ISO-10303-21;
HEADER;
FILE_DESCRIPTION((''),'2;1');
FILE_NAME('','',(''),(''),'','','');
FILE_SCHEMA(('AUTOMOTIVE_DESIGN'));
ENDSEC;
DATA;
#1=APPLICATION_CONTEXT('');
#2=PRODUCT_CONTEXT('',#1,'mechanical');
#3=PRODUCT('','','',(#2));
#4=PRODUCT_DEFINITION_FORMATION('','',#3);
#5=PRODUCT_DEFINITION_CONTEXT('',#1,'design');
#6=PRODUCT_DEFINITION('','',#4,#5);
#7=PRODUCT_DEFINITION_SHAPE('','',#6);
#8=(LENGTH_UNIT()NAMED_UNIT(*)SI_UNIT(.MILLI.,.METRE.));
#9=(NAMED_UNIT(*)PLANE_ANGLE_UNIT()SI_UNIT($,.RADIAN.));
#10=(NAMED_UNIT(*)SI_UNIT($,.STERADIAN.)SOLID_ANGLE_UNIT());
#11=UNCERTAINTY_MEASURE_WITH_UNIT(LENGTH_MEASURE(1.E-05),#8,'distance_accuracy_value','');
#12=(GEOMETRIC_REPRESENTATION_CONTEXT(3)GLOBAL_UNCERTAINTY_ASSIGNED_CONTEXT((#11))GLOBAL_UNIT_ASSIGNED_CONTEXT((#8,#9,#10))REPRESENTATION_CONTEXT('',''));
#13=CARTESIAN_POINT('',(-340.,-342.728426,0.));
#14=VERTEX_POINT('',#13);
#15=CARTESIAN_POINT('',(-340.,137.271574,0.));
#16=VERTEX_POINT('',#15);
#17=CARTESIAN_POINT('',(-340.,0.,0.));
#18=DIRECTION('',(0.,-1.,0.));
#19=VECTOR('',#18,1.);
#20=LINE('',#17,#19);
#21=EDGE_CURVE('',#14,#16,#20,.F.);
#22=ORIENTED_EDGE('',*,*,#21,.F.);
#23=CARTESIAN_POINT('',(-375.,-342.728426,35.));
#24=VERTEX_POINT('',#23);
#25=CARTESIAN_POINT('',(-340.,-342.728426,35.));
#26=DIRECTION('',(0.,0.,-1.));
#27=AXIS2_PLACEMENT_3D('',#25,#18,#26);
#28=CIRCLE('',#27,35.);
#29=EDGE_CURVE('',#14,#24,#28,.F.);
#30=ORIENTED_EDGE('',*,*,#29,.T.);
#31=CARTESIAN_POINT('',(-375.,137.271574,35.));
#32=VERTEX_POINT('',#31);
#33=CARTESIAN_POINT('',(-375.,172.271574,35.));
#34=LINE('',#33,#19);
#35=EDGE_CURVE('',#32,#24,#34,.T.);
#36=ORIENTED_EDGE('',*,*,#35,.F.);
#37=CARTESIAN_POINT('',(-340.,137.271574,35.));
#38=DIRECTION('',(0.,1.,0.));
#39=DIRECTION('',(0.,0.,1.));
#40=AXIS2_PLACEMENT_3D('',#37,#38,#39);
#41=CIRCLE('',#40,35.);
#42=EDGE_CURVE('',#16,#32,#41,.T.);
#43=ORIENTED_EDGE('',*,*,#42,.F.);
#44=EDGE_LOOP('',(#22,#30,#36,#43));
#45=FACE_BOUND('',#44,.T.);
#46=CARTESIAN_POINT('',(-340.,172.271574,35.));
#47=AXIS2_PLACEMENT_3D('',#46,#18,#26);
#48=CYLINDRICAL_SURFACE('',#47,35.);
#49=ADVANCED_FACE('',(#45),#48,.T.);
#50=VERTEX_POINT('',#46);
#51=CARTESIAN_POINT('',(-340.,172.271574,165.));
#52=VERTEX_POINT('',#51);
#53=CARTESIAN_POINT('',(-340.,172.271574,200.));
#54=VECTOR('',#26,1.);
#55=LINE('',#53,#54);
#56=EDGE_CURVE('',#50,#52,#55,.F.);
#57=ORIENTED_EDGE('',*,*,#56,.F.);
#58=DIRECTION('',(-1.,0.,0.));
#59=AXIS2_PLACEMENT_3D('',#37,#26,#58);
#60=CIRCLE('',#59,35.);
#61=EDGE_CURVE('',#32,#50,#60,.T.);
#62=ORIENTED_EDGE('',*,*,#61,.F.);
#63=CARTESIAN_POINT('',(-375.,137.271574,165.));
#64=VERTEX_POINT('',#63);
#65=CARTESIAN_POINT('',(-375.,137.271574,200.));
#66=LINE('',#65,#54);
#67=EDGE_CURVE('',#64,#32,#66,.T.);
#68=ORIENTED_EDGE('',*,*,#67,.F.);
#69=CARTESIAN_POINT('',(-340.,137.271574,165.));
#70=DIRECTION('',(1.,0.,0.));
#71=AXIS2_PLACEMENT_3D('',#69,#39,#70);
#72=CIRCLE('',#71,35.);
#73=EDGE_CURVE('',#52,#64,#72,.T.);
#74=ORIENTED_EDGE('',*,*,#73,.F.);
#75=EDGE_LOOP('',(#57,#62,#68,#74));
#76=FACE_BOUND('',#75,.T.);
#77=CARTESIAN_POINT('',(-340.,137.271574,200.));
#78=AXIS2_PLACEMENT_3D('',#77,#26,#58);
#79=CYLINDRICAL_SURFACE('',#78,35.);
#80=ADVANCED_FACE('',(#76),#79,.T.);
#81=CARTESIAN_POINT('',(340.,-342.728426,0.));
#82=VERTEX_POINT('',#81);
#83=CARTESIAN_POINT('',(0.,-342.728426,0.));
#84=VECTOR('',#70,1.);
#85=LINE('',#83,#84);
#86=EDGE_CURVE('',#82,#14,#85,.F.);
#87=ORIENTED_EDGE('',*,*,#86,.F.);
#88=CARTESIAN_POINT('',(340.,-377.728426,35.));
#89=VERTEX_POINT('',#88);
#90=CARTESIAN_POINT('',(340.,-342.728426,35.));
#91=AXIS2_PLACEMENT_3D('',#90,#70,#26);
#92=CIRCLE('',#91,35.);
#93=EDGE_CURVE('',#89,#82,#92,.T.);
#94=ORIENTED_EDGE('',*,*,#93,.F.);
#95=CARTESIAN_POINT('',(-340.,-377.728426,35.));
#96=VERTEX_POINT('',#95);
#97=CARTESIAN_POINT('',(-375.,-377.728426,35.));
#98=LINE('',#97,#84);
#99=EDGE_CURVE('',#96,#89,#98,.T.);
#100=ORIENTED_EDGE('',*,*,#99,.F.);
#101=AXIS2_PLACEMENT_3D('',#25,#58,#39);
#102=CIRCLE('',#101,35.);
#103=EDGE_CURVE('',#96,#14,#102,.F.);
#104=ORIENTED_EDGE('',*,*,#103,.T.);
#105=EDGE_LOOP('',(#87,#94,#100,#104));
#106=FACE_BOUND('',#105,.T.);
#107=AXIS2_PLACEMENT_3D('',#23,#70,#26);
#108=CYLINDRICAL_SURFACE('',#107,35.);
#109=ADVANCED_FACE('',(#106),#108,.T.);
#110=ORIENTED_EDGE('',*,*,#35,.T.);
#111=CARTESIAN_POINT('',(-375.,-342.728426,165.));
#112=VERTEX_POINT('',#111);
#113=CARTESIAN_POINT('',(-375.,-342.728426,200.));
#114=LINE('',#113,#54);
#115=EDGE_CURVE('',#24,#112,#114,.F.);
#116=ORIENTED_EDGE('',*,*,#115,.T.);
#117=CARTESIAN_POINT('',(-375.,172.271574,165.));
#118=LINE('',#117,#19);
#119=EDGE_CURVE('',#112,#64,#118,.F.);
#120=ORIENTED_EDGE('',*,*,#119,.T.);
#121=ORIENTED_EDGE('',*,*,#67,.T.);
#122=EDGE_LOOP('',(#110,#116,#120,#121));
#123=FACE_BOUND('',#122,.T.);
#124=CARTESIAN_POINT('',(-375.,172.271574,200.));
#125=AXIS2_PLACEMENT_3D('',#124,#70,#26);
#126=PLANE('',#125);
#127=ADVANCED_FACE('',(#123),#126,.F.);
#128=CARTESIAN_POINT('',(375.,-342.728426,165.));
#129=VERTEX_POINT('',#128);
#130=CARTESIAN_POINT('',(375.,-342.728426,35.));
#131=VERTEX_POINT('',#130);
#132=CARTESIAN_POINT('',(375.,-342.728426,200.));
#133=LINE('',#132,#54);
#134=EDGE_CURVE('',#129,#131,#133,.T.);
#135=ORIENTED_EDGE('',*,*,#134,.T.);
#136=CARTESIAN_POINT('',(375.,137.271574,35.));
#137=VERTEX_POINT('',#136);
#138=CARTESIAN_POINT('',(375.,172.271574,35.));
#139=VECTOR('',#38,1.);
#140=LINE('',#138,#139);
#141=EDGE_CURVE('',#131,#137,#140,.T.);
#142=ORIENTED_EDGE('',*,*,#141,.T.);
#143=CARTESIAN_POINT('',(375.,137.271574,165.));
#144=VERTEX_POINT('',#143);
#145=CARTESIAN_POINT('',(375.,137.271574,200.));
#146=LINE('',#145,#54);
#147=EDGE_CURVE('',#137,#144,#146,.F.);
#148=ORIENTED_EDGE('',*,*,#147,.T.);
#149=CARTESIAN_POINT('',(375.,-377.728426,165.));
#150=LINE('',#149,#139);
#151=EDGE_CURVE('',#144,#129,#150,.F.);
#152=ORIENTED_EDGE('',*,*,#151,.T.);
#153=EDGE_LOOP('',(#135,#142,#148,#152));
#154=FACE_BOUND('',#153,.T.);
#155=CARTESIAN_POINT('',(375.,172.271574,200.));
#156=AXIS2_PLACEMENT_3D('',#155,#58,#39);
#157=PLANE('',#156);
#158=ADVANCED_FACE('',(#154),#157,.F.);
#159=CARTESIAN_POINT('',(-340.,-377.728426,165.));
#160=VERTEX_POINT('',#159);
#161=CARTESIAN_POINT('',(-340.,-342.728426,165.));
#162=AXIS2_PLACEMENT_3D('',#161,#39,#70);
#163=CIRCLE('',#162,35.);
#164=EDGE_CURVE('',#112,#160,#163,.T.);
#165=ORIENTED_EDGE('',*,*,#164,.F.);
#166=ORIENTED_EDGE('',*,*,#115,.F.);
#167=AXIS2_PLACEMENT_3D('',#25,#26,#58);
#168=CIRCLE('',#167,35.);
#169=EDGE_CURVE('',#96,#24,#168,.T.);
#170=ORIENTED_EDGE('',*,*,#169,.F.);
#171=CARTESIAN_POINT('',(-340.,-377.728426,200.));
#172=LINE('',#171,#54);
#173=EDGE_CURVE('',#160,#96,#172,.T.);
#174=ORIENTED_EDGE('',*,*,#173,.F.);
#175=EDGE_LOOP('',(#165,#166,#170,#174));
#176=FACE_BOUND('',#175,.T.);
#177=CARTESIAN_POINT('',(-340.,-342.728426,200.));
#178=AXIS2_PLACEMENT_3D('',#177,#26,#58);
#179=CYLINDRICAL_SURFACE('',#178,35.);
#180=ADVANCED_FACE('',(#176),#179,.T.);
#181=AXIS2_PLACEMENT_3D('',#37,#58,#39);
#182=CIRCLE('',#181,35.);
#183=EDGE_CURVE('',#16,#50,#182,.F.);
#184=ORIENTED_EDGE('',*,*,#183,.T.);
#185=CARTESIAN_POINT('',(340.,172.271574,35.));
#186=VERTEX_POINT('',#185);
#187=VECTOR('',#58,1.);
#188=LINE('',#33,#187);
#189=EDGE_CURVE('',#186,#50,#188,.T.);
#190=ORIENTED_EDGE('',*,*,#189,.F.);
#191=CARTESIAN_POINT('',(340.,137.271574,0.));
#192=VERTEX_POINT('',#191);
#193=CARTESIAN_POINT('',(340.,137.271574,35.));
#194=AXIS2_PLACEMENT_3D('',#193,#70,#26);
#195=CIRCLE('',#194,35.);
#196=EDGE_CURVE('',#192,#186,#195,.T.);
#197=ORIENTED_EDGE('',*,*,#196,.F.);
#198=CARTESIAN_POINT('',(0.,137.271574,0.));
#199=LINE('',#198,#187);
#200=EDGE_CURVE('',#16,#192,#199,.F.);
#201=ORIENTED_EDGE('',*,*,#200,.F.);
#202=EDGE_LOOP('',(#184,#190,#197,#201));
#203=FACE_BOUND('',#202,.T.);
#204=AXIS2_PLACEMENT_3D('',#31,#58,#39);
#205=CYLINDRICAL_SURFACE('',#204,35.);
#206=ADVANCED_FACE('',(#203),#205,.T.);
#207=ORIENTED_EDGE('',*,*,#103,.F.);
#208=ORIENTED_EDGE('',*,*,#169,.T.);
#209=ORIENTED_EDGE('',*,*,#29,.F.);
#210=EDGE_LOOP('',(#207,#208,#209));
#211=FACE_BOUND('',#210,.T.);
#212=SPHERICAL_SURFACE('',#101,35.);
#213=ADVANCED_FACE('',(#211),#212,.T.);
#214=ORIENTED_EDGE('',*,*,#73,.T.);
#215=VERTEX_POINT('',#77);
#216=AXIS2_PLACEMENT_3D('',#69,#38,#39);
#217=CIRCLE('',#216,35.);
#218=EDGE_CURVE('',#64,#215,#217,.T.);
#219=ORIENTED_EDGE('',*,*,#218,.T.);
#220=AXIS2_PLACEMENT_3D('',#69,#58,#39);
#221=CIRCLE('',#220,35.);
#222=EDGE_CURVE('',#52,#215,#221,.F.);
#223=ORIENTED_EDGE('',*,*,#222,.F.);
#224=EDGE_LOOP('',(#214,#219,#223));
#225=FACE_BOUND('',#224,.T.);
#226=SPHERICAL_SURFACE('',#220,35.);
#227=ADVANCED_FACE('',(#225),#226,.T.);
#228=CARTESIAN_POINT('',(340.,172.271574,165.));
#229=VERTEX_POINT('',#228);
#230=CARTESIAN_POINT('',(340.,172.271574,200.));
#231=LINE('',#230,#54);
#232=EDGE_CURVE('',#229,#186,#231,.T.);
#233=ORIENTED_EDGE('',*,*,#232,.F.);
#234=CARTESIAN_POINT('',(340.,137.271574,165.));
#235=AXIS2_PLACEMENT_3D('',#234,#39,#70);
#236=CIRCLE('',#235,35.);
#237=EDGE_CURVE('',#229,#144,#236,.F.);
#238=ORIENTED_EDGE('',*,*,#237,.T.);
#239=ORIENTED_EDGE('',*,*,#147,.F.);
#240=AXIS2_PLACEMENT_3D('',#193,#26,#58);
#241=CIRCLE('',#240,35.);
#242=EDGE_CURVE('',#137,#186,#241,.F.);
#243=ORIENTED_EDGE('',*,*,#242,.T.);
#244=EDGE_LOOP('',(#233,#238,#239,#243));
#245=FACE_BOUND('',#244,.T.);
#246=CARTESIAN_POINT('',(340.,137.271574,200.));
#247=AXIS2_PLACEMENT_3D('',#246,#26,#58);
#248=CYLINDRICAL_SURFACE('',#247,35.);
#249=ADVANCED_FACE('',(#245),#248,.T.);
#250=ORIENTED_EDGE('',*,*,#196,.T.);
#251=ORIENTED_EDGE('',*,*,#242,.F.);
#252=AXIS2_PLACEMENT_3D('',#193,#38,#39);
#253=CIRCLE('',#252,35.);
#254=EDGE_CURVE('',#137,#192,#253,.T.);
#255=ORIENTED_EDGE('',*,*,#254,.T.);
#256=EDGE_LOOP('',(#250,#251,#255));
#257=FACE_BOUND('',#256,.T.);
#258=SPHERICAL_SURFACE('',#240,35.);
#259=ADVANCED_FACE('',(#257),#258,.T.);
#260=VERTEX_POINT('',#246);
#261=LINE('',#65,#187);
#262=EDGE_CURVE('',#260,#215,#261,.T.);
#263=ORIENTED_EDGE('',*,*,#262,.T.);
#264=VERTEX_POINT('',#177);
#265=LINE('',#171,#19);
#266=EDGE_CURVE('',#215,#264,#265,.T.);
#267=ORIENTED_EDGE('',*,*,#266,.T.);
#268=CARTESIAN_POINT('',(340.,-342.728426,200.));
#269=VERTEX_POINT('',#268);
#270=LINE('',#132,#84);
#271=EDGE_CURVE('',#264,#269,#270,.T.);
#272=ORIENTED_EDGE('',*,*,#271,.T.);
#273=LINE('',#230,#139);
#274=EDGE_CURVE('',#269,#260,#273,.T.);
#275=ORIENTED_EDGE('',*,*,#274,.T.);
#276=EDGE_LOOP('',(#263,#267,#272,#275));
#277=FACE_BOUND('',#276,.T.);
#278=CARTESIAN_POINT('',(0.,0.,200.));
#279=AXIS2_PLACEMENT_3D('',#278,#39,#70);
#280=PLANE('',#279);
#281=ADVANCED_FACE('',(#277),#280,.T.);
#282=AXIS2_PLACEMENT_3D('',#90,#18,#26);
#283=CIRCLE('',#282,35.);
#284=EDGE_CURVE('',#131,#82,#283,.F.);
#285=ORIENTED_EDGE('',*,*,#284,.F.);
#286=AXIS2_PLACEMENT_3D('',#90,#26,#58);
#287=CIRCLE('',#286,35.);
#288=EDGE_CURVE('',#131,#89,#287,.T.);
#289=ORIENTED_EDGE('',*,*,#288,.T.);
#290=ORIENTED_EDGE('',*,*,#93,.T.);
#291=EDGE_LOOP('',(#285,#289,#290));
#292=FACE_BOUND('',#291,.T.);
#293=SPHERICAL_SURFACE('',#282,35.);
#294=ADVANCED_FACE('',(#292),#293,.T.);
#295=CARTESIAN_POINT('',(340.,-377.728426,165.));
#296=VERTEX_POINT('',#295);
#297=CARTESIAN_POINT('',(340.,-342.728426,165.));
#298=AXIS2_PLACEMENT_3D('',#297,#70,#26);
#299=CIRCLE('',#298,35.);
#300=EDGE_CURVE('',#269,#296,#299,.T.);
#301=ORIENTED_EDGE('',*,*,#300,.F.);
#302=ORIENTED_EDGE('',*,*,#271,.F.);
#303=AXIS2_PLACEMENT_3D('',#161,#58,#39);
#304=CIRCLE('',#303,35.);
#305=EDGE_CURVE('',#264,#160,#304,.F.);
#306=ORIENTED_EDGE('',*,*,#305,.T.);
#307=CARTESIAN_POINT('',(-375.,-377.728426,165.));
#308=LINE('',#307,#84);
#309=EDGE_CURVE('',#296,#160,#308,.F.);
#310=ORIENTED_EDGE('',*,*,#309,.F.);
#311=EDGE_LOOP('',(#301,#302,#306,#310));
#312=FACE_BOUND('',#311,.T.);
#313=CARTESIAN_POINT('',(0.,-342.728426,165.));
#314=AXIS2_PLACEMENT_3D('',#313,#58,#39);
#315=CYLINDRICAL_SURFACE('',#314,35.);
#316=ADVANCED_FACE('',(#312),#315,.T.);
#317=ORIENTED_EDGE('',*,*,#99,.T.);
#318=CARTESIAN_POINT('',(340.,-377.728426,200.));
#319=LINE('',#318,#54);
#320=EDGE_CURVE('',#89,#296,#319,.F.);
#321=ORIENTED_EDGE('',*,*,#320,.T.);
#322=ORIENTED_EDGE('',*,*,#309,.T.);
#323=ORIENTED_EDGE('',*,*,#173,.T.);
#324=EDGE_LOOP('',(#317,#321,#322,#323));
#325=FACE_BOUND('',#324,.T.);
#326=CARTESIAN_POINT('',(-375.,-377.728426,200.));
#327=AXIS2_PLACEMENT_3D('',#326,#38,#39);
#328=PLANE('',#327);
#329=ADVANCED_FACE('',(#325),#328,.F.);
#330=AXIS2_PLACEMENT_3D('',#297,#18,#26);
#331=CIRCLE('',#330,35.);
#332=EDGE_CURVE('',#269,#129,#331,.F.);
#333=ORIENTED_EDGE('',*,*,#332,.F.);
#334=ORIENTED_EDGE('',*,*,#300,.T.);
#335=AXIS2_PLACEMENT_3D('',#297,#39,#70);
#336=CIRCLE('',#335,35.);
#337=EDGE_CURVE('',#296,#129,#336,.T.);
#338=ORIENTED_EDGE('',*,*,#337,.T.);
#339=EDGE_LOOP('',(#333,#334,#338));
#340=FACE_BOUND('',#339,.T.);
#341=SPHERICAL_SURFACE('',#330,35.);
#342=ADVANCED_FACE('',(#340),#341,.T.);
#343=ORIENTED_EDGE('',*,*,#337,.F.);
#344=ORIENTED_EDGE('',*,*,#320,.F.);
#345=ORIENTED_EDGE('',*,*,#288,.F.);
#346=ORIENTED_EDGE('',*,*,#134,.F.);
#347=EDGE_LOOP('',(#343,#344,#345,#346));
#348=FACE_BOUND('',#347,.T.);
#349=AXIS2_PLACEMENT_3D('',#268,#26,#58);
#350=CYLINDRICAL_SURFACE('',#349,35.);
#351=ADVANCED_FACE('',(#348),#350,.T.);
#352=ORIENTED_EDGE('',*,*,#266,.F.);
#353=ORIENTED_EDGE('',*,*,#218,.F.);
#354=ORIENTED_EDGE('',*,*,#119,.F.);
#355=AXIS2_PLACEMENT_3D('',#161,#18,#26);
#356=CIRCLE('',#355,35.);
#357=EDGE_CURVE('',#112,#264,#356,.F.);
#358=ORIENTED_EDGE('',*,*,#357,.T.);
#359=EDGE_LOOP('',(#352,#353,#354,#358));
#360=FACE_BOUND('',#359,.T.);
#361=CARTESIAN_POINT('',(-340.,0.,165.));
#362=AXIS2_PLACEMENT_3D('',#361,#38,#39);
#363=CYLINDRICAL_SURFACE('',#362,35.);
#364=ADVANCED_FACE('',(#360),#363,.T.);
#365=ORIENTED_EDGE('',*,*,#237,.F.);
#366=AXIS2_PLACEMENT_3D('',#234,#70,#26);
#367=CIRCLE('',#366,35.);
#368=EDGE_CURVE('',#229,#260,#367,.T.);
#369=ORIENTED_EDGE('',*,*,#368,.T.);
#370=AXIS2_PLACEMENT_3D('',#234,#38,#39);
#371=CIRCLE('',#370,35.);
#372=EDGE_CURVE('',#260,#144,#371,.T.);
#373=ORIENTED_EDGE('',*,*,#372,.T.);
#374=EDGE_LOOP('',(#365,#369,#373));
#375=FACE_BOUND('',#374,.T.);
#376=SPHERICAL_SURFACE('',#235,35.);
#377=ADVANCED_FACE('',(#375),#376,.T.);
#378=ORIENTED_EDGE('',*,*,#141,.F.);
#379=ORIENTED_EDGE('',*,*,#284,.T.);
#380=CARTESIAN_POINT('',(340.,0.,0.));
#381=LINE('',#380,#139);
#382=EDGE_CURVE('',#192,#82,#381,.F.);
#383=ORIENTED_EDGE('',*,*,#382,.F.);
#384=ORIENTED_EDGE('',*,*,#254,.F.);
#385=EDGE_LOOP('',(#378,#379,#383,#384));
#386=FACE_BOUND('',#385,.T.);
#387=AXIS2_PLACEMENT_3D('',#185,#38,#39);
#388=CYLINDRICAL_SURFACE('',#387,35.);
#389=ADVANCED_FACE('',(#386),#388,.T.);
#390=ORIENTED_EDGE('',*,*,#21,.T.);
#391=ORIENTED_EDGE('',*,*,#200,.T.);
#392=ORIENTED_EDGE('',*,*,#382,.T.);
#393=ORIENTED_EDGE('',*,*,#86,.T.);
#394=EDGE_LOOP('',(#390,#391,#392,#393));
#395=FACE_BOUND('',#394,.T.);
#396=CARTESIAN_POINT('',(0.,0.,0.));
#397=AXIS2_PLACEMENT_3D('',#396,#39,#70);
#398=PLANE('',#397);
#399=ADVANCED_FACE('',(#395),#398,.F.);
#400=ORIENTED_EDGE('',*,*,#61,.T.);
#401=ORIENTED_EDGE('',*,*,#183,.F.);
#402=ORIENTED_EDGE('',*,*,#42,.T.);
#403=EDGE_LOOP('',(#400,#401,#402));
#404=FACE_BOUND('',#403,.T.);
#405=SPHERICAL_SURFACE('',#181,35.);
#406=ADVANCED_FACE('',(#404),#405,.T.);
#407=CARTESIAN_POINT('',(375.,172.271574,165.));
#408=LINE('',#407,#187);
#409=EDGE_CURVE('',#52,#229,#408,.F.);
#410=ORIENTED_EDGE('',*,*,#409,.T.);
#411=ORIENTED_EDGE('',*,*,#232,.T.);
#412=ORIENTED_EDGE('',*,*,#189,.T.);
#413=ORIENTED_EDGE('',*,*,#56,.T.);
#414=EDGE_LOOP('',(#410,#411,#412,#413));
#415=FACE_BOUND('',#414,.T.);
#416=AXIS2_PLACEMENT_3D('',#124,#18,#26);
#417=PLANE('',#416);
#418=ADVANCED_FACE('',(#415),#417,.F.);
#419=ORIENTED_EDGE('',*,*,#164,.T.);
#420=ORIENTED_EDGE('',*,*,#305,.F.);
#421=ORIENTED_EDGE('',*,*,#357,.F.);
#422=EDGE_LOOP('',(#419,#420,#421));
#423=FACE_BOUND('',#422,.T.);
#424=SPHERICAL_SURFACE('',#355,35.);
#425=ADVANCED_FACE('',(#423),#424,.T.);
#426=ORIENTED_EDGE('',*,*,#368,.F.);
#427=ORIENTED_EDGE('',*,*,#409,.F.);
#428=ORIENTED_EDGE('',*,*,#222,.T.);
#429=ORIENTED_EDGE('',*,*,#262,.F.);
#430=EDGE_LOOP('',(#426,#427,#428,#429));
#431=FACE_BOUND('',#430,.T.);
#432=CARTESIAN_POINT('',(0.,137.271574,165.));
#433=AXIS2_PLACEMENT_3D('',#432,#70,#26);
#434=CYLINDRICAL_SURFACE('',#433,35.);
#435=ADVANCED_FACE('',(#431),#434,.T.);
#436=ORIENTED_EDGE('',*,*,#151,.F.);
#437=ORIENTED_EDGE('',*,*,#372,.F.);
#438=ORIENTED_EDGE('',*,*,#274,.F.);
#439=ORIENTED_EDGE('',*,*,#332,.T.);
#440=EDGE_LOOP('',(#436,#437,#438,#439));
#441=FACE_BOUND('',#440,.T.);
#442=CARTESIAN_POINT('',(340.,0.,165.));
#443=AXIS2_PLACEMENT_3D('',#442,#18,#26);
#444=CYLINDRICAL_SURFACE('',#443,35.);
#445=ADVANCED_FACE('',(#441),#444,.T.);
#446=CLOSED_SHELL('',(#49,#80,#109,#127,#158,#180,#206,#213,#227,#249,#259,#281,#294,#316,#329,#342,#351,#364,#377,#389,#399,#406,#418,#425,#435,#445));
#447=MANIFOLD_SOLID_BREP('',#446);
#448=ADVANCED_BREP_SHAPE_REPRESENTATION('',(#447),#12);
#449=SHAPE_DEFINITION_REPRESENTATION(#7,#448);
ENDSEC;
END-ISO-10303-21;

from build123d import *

# Parameters (mm, degrees)
SKETCH1_W           = 750
SKETCH1_H           = 550
BOSS_EXTRUDE1_DEPTH = 200
FILLET3_R           = 35


with BuildPart() as part:
    # Sketch1 → Boss-Extrude1 (new body)
    with BuildSketch(Plane.XY):
        with Locations((0, -102.728426396)):
            Rectangle(SKETCH1_W, SKETCH1_H)
    extrude(amount=BOSS_EXTRUDE1_DEPTH)

    # Fillet3
    fillet3_edges = [part.edges().sort_by_distance(p)[0] for p in [
        (-375, -102.728426396, 200),
        (0, -377.728426396, 200),
        (375, -102.728426396, 200),
        (0, -377.728426396, 0),
        (-375, -102.728426396, 0),
        (0, 172.271573604, 0),
        (375, -102.728426396, 0),
        (375, -377.728426396, 100),
        (-375, -377.728426396, 100),
        (-375, 172.271573604, 100),
        (375, 172.271573604, 100),
        (0, 172.271573604, 200),
    ]]
    fillet(fillet3_edges, radius=FILLET3_R)


solid = part.part
